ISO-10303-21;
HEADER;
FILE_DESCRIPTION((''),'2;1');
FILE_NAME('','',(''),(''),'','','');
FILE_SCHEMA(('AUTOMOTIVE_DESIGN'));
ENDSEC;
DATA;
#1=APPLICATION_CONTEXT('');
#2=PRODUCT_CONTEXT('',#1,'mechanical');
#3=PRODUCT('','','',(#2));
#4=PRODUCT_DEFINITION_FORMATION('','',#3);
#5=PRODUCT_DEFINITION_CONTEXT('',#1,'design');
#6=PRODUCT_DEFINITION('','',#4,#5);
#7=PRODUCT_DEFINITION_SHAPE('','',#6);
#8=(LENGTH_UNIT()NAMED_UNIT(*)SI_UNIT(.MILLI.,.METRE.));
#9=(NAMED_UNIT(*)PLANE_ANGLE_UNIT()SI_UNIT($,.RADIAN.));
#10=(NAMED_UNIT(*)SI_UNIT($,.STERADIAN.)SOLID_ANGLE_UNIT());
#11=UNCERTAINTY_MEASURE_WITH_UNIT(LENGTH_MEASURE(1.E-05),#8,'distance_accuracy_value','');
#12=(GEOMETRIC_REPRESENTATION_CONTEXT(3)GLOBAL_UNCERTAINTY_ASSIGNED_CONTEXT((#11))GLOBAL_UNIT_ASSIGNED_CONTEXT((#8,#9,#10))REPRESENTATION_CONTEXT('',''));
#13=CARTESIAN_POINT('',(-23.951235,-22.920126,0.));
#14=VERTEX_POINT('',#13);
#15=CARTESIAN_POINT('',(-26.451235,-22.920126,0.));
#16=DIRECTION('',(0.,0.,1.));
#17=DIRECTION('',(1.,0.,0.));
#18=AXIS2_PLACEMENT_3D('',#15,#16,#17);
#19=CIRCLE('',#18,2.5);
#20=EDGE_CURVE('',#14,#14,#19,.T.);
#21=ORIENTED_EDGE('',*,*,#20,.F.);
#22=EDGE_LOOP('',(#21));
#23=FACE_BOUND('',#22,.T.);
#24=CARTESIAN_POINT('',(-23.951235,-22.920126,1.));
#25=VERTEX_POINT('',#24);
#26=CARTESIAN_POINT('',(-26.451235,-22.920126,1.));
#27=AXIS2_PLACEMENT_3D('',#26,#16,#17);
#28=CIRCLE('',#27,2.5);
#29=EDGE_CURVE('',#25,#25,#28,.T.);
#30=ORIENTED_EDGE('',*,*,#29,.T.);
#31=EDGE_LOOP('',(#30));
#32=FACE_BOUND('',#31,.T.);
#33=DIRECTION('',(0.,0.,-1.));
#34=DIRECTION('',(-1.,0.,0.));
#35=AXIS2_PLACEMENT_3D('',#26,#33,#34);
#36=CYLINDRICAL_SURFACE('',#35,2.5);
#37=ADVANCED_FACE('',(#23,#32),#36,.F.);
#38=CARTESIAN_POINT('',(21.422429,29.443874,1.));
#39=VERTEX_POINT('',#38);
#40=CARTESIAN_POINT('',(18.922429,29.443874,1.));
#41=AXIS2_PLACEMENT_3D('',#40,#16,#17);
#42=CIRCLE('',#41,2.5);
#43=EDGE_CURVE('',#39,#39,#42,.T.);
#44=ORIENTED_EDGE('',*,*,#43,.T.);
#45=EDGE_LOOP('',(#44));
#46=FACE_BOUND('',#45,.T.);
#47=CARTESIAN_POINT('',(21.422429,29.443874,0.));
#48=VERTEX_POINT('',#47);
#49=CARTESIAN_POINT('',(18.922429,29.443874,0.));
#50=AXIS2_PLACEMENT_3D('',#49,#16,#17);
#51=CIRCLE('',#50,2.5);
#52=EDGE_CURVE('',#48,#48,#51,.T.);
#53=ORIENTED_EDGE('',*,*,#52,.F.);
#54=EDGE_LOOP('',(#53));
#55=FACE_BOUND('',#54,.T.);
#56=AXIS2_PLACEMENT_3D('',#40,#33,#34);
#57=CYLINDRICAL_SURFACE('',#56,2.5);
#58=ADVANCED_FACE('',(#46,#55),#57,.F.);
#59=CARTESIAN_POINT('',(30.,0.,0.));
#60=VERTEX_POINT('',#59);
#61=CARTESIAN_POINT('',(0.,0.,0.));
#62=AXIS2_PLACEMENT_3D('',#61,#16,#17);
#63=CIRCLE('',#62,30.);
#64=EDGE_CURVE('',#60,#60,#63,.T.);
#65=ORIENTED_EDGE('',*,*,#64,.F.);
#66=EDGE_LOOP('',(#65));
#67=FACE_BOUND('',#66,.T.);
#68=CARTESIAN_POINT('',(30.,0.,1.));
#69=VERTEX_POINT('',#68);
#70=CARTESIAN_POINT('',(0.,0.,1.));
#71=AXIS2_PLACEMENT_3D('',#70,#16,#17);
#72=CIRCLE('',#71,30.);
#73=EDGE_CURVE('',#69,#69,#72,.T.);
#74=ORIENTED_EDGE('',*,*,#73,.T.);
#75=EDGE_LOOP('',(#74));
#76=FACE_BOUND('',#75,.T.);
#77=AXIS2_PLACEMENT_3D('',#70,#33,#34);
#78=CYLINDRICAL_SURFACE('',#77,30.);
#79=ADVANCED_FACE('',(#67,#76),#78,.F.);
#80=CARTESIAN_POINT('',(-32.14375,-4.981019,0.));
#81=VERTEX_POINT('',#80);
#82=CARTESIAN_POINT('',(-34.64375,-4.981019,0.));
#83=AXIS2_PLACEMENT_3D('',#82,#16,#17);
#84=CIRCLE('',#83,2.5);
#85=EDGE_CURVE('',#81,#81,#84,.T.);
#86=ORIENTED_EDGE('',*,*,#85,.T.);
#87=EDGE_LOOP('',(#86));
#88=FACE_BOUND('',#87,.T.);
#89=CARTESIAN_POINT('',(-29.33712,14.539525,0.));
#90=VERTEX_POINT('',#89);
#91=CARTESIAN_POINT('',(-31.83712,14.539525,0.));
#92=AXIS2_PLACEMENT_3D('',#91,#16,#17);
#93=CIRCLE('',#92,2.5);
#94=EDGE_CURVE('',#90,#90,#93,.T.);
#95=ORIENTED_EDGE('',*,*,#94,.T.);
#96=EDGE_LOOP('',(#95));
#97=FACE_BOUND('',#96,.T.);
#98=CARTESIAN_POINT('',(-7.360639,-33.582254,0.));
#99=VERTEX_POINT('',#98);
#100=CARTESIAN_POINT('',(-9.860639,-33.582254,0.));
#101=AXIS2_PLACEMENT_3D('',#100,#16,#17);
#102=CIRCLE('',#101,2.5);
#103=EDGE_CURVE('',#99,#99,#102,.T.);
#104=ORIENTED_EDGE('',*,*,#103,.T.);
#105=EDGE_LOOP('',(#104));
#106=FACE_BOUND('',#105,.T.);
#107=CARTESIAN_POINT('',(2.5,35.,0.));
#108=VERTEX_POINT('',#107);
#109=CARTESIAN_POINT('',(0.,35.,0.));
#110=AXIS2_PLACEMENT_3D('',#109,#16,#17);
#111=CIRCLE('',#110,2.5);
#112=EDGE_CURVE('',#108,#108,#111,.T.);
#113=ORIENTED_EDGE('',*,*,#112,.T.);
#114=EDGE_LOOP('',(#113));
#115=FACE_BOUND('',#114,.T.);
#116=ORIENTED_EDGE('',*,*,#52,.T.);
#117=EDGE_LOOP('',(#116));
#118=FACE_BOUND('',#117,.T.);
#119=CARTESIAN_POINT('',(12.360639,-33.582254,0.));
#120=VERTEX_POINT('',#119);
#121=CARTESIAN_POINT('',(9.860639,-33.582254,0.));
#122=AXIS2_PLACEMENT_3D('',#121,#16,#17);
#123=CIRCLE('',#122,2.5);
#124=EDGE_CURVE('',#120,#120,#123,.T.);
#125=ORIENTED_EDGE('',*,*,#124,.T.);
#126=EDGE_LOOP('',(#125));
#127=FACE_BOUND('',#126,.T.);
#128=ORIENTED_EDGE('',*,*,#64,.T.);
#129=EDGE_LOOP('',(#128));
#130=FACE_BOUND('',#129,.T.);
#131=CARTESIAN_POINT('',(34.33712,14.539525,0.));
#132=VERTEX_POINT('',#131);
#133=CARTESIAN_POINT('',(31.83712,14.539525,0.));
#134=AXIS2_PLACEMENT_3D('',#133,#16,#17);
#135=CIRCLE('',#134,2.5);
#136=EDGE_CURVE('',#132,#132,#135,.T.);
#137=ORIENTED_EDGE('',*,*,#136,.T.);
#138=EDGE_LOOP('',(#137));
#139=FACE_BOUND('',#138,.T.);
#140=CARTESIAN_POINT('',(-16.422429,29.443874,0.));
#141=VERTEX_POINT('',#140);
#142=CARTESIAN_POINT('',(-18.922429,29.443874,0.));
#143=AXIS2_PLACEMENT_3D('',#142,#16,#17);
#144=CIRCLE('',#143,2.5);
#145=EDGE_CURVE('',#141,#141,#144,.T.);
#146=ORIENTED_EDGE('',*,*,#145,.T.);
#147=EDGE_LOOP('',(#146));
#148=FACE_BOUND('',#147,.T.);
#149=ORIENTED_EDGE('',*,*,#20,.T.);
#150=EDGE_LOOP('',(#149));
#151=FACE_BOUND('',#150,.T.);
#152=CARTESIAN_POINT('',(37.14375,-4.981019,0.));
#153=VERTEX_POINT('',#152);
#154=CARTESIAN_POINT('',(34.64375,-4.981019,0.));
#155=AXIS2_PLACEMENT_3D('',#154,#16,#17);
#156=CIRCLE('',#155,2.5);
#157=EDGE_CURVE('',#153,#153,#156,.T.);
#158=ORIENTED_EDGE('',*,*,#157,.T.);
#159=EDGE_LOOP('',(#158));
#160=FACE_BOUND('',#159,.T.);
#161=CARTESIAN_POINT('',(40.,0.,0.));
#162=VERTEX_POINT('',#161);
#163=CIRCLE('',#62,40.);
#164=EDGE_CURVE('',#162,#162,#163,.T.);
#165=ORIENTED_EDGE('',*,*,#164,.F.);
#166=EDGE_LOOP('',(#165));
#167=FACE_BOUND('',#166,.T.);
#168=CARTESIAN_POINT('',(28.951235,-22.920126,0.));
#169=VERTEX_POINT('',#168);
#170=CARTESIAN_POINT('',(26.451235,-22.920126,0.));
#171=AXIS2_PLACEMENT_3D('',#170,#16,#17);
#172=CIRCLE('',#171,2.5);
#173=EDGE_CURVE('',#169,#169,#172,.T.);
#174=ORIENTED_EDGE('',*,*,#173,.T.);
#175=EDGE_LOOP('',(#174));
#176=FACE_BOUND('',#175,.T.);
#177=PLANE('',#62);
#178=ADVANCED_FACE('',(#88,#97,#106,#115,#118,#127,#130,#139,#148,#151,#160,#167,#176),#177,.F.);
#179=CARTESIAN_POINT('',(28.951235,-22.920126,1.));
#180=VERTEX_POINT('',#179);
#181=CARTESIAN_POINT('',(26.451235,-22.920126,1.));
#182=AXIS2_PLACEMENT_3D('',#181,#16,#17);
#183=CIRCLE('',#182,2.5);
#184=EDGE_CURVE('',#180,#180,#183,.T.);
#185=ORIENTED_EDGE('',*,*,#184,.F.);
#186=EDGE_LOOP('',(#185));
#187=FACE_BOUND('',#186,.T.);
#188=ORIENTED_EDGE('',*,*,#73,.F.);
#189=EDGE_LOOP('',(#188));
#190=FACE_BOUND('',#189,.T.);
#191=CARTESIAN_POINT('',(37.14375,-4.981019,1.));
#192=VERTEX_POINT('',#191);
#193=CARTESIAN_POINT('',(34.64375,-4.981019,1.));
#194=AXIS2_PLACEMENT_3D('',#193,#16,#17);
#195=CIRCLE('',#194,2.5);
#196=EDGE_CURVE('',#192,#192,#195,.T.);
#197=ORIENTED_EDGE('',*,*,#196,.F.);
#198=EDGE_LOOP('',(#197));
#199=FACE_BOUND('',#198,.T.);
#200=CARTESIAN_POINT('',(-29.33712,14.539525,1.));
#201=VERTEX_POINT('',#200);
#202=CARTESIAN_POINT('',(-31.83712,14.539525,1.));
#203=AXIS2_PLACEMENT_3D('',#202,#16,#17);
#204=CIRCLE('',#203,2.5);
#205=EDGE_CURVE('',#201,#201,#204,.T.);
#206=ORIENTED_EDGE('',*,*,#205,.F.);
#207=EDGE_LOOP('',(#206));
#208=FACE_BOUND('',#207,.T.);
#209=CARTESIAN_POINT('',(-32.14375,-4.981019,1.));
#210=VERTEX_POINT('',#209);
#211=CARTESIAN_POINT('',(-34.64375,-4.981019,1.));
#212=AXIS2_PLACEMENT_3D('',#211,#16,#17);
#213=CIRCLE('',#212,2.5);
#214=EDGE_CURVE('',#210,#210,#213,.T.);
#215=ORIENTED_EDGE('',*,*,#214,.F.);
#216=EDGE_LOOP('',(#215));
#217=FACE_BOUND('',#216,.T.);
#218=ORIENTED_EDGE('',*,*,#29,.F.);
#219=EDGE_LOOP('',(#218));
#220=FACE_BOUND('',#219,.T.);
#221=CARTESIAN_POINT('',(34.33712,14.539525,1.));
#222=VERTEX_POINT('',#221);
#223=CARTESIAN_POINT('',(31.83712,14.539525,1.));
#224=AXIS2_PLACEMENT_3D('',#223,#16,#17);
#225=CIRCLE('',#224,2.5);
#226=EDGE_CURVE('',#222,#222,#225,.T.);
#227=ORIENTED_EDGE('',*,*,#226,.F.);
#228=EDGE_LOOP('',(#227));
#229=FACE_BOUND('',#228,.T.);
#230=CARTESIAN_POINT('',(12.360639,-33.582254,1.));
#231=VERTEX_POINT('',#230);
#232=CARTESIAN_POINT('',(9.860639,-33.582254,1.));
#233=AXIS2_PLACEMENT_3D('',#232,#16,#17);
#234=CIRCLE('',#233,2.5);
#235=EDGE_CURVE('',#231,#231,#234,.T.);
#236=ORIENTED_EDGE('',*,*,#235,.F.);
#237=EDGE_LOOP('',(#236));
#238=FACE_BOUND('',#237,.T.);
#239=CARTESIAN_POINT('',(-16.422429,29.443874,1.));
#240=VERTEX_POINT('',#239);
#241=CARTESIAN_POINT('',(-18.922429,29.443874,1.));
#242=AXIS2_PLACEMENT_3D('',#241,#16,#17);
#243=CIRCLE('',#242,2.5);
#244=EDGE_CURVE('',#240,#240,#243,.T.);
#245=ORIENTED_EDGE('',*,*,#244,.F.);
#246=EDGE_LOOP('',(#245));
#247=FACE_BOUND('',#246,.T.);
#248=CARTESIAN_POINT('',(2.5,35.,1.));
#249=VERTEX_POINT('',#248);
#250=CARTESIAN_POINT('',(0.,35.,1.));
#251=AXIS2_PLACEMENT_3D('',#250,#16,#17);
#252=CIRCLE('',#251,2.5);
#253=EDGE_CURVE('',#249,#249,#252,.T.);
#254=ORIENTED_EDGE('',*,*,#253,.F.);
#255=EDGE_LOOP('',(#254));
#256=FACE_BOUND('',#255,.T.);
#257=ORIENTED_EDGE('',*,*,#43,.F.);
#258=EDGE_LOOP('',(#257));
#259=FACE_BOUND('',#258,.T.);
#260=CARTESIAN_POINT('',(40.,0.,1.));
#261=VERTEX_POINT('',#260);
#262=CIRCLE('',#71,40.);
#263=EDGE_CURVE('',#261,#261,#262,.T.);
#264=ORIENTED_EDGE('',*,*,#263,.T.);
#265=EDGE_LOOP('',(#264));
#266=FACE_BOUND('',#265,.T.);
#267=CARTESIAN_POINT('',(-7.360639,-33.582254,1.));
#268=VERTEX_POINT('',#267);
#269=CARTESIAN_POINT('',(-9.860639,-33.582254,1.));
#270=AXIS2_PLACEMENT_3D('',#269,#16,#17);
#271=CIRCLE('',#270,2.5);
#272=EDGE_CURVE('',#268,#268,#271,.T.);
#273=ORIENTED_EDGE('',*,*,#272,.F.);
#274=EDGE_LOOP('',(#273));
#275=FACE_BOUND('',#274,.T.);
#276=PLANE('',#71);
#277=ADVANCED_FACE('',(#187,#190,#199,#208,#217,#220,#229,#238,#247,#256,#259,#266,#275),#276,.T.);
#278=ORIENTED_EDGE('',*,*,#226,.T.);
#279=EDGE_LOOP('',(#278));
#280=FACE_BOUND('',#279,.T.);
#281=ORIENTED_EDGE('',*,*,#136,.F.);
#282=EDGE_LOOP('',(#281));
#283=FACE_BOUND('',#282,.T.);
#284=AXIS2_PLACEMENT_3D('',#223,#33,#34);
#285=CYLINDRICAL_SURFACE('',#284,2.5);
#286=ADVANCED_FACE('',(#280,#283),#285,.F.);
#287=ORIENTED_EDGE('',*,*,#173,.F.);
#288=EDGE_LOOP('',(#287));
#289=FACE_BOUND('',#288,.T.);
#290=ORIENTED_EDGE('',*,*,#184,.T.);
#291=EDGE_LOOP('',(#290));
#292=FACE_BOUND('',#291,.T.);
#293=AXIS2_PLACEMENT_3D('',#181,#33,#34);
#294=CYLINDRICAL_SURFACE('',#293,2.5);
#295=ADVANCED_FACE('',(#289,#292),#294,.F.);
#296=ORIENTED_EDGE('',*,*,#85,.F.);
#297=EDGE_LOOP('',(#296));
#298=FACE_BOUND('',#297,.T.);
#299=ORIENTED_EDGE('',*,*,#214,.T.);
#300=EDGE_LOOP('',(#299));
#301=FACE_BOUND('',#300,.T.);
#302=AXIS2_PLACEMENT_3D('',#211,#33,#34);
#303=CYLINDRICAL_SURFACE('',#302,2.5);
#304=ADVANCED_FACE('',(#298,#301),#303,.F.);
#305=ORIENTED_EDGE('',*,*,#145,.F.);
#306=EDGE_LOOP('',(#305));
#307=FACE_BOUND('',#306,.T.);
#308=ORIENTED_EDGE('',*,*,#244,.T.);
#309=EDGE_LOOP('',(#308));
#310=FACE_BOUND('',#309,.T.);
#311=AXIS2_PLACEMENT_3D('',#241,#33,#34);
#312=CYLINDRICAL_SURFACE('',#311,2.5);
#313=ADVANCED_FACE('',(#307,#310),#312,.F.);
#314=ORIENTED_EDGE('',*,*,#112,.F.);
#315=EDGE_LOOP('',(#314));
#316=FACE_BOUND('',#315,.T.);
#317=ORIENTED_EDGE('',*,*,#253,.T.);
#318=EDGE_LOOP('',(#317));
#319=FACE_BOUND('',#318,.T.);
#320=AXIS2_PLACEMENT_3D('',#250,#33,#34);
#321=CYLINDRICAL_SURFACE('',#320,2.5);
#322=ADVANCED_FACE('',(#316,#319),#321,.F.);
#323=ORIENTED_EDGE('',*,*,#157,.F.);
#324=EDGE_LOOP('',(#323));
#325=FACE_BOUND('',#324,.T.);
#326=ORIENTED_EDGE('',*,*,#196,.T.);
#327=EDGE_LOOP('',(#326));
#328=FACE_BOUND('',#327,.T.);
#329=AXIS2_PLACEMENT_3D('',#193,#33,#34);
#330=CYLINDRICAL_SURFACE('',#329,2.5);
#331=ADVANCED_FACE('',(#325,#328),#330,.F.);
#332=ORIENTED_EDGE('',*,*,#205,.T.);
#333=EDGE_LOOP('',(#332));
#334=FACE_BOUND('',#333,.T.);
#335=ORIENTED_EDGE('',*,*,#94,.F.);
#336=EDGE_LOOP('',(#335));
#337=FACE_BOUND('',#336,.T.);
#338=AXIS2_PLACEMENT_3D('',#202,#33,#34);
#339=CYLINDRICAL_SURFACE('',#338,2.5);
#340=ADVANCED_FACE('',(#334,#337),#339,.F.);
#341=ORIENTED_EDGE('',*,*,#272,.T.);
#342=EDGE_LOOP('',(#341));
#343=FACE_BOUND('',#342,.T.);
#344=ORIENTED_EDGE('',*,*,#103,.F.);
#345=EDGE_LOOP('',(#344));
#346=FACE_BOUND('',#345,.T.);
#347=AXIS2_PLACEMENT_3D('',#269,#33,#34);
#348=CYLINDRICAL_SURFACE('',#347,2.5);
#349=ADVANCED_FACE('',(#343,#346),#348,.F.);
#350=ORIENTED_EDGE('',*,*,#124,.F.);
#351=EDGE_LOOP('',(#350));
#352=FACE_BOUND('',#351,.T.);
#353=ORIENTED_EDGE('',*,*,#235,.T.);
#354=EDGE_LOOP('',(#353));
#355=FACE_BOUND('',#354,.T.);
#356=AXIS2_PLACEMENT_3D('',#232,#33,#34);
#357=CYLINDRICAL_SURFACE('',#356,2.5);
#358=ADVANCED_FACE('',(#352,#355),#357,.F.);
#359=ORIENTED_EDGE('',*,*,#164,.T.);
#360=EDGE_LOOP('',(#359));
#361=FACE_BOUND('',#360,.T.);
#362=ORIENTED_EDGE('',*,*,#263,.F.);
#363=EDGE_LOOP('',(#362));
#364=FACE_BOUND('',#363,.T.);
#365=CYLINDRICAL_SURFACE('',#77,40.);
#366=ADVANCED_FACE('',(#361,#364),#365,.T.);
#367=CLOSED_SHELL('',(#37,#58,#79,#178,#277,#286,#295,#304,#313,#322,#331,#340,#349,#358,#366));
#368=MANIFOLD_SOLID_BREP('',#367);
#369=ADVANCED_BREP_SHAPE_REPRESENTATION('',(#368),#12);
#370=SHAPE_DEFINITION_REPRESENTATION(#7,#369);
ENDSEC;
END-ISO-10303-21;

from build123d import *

# Parameters (mm, degrees)
SKETCH1_R           = 40
SKETCH1_R_2         = 30
SKETCH1_R_3         = 2.5
BOSS_EXTRUDE1_DEPTH = 1


with BuildPart() as part:
    # Sketch1 → Boss-Extrude1 (new body)
    with BuildSketch(Plane.XY):
        Circle(SKETCH1_R)
        Circle(SKETCH1_R_2, mode=Mode.SUBTRACT)
        with Locations((0, 35)):
            Circle(SKETCH1_R_3, mode=Mode.SUBTRACT)
        with Locations((18.922428611, 29.443873649)):
            Circle(SKETCH1_R_3, mode=Mode.SUBTRACT)
        with Locations((31.837119837, 14.539525455)):
            Circle(SKETCH1_R_3, mode=Mode.SUBTRACT)
        with Locations((34.643750466, -4.98101934)):
            Circle(SKETCH1_R_3, mode=Mode.SUBTRACT)
        with Locations((26.451235102, -22.920125688)):
            Circle(SKETCH1_R_3, mode=Mode.SUBTRACT)
        with Locations((9.860639489, -33.582254077)):
            Circle(SKETCH1_R_3, mode=Mode.SUBTRACT)
        with Locations((-9.860639489, -33.582254077)):
            Circle(SKETCH1_R_3, mode=Mode.SUBTRACT)
        with Locations((-26.451235102, -22.920125688)):
            Circle(SKETCH1_R_3, mode=Mode.SUBTRACT)
        with Locations((-34.643750466, -4.98101934)):
            Circle(SKETCH1_R_3, mode=Mode.SUBTRACT)
        with Locations((-31.837119837, 14.539525455)):
            Circle(SKETCH1_R_3, mode=Mode.SUBTRACT)
        with Locations((-18.922428611, 29.443873649)):
            Circle(SKETCH1_R_3, mode=Mode.SUBTRACT)
    extrude(amount=BOSS_EXTRUDE1_DEPTH)


solid = part.part
